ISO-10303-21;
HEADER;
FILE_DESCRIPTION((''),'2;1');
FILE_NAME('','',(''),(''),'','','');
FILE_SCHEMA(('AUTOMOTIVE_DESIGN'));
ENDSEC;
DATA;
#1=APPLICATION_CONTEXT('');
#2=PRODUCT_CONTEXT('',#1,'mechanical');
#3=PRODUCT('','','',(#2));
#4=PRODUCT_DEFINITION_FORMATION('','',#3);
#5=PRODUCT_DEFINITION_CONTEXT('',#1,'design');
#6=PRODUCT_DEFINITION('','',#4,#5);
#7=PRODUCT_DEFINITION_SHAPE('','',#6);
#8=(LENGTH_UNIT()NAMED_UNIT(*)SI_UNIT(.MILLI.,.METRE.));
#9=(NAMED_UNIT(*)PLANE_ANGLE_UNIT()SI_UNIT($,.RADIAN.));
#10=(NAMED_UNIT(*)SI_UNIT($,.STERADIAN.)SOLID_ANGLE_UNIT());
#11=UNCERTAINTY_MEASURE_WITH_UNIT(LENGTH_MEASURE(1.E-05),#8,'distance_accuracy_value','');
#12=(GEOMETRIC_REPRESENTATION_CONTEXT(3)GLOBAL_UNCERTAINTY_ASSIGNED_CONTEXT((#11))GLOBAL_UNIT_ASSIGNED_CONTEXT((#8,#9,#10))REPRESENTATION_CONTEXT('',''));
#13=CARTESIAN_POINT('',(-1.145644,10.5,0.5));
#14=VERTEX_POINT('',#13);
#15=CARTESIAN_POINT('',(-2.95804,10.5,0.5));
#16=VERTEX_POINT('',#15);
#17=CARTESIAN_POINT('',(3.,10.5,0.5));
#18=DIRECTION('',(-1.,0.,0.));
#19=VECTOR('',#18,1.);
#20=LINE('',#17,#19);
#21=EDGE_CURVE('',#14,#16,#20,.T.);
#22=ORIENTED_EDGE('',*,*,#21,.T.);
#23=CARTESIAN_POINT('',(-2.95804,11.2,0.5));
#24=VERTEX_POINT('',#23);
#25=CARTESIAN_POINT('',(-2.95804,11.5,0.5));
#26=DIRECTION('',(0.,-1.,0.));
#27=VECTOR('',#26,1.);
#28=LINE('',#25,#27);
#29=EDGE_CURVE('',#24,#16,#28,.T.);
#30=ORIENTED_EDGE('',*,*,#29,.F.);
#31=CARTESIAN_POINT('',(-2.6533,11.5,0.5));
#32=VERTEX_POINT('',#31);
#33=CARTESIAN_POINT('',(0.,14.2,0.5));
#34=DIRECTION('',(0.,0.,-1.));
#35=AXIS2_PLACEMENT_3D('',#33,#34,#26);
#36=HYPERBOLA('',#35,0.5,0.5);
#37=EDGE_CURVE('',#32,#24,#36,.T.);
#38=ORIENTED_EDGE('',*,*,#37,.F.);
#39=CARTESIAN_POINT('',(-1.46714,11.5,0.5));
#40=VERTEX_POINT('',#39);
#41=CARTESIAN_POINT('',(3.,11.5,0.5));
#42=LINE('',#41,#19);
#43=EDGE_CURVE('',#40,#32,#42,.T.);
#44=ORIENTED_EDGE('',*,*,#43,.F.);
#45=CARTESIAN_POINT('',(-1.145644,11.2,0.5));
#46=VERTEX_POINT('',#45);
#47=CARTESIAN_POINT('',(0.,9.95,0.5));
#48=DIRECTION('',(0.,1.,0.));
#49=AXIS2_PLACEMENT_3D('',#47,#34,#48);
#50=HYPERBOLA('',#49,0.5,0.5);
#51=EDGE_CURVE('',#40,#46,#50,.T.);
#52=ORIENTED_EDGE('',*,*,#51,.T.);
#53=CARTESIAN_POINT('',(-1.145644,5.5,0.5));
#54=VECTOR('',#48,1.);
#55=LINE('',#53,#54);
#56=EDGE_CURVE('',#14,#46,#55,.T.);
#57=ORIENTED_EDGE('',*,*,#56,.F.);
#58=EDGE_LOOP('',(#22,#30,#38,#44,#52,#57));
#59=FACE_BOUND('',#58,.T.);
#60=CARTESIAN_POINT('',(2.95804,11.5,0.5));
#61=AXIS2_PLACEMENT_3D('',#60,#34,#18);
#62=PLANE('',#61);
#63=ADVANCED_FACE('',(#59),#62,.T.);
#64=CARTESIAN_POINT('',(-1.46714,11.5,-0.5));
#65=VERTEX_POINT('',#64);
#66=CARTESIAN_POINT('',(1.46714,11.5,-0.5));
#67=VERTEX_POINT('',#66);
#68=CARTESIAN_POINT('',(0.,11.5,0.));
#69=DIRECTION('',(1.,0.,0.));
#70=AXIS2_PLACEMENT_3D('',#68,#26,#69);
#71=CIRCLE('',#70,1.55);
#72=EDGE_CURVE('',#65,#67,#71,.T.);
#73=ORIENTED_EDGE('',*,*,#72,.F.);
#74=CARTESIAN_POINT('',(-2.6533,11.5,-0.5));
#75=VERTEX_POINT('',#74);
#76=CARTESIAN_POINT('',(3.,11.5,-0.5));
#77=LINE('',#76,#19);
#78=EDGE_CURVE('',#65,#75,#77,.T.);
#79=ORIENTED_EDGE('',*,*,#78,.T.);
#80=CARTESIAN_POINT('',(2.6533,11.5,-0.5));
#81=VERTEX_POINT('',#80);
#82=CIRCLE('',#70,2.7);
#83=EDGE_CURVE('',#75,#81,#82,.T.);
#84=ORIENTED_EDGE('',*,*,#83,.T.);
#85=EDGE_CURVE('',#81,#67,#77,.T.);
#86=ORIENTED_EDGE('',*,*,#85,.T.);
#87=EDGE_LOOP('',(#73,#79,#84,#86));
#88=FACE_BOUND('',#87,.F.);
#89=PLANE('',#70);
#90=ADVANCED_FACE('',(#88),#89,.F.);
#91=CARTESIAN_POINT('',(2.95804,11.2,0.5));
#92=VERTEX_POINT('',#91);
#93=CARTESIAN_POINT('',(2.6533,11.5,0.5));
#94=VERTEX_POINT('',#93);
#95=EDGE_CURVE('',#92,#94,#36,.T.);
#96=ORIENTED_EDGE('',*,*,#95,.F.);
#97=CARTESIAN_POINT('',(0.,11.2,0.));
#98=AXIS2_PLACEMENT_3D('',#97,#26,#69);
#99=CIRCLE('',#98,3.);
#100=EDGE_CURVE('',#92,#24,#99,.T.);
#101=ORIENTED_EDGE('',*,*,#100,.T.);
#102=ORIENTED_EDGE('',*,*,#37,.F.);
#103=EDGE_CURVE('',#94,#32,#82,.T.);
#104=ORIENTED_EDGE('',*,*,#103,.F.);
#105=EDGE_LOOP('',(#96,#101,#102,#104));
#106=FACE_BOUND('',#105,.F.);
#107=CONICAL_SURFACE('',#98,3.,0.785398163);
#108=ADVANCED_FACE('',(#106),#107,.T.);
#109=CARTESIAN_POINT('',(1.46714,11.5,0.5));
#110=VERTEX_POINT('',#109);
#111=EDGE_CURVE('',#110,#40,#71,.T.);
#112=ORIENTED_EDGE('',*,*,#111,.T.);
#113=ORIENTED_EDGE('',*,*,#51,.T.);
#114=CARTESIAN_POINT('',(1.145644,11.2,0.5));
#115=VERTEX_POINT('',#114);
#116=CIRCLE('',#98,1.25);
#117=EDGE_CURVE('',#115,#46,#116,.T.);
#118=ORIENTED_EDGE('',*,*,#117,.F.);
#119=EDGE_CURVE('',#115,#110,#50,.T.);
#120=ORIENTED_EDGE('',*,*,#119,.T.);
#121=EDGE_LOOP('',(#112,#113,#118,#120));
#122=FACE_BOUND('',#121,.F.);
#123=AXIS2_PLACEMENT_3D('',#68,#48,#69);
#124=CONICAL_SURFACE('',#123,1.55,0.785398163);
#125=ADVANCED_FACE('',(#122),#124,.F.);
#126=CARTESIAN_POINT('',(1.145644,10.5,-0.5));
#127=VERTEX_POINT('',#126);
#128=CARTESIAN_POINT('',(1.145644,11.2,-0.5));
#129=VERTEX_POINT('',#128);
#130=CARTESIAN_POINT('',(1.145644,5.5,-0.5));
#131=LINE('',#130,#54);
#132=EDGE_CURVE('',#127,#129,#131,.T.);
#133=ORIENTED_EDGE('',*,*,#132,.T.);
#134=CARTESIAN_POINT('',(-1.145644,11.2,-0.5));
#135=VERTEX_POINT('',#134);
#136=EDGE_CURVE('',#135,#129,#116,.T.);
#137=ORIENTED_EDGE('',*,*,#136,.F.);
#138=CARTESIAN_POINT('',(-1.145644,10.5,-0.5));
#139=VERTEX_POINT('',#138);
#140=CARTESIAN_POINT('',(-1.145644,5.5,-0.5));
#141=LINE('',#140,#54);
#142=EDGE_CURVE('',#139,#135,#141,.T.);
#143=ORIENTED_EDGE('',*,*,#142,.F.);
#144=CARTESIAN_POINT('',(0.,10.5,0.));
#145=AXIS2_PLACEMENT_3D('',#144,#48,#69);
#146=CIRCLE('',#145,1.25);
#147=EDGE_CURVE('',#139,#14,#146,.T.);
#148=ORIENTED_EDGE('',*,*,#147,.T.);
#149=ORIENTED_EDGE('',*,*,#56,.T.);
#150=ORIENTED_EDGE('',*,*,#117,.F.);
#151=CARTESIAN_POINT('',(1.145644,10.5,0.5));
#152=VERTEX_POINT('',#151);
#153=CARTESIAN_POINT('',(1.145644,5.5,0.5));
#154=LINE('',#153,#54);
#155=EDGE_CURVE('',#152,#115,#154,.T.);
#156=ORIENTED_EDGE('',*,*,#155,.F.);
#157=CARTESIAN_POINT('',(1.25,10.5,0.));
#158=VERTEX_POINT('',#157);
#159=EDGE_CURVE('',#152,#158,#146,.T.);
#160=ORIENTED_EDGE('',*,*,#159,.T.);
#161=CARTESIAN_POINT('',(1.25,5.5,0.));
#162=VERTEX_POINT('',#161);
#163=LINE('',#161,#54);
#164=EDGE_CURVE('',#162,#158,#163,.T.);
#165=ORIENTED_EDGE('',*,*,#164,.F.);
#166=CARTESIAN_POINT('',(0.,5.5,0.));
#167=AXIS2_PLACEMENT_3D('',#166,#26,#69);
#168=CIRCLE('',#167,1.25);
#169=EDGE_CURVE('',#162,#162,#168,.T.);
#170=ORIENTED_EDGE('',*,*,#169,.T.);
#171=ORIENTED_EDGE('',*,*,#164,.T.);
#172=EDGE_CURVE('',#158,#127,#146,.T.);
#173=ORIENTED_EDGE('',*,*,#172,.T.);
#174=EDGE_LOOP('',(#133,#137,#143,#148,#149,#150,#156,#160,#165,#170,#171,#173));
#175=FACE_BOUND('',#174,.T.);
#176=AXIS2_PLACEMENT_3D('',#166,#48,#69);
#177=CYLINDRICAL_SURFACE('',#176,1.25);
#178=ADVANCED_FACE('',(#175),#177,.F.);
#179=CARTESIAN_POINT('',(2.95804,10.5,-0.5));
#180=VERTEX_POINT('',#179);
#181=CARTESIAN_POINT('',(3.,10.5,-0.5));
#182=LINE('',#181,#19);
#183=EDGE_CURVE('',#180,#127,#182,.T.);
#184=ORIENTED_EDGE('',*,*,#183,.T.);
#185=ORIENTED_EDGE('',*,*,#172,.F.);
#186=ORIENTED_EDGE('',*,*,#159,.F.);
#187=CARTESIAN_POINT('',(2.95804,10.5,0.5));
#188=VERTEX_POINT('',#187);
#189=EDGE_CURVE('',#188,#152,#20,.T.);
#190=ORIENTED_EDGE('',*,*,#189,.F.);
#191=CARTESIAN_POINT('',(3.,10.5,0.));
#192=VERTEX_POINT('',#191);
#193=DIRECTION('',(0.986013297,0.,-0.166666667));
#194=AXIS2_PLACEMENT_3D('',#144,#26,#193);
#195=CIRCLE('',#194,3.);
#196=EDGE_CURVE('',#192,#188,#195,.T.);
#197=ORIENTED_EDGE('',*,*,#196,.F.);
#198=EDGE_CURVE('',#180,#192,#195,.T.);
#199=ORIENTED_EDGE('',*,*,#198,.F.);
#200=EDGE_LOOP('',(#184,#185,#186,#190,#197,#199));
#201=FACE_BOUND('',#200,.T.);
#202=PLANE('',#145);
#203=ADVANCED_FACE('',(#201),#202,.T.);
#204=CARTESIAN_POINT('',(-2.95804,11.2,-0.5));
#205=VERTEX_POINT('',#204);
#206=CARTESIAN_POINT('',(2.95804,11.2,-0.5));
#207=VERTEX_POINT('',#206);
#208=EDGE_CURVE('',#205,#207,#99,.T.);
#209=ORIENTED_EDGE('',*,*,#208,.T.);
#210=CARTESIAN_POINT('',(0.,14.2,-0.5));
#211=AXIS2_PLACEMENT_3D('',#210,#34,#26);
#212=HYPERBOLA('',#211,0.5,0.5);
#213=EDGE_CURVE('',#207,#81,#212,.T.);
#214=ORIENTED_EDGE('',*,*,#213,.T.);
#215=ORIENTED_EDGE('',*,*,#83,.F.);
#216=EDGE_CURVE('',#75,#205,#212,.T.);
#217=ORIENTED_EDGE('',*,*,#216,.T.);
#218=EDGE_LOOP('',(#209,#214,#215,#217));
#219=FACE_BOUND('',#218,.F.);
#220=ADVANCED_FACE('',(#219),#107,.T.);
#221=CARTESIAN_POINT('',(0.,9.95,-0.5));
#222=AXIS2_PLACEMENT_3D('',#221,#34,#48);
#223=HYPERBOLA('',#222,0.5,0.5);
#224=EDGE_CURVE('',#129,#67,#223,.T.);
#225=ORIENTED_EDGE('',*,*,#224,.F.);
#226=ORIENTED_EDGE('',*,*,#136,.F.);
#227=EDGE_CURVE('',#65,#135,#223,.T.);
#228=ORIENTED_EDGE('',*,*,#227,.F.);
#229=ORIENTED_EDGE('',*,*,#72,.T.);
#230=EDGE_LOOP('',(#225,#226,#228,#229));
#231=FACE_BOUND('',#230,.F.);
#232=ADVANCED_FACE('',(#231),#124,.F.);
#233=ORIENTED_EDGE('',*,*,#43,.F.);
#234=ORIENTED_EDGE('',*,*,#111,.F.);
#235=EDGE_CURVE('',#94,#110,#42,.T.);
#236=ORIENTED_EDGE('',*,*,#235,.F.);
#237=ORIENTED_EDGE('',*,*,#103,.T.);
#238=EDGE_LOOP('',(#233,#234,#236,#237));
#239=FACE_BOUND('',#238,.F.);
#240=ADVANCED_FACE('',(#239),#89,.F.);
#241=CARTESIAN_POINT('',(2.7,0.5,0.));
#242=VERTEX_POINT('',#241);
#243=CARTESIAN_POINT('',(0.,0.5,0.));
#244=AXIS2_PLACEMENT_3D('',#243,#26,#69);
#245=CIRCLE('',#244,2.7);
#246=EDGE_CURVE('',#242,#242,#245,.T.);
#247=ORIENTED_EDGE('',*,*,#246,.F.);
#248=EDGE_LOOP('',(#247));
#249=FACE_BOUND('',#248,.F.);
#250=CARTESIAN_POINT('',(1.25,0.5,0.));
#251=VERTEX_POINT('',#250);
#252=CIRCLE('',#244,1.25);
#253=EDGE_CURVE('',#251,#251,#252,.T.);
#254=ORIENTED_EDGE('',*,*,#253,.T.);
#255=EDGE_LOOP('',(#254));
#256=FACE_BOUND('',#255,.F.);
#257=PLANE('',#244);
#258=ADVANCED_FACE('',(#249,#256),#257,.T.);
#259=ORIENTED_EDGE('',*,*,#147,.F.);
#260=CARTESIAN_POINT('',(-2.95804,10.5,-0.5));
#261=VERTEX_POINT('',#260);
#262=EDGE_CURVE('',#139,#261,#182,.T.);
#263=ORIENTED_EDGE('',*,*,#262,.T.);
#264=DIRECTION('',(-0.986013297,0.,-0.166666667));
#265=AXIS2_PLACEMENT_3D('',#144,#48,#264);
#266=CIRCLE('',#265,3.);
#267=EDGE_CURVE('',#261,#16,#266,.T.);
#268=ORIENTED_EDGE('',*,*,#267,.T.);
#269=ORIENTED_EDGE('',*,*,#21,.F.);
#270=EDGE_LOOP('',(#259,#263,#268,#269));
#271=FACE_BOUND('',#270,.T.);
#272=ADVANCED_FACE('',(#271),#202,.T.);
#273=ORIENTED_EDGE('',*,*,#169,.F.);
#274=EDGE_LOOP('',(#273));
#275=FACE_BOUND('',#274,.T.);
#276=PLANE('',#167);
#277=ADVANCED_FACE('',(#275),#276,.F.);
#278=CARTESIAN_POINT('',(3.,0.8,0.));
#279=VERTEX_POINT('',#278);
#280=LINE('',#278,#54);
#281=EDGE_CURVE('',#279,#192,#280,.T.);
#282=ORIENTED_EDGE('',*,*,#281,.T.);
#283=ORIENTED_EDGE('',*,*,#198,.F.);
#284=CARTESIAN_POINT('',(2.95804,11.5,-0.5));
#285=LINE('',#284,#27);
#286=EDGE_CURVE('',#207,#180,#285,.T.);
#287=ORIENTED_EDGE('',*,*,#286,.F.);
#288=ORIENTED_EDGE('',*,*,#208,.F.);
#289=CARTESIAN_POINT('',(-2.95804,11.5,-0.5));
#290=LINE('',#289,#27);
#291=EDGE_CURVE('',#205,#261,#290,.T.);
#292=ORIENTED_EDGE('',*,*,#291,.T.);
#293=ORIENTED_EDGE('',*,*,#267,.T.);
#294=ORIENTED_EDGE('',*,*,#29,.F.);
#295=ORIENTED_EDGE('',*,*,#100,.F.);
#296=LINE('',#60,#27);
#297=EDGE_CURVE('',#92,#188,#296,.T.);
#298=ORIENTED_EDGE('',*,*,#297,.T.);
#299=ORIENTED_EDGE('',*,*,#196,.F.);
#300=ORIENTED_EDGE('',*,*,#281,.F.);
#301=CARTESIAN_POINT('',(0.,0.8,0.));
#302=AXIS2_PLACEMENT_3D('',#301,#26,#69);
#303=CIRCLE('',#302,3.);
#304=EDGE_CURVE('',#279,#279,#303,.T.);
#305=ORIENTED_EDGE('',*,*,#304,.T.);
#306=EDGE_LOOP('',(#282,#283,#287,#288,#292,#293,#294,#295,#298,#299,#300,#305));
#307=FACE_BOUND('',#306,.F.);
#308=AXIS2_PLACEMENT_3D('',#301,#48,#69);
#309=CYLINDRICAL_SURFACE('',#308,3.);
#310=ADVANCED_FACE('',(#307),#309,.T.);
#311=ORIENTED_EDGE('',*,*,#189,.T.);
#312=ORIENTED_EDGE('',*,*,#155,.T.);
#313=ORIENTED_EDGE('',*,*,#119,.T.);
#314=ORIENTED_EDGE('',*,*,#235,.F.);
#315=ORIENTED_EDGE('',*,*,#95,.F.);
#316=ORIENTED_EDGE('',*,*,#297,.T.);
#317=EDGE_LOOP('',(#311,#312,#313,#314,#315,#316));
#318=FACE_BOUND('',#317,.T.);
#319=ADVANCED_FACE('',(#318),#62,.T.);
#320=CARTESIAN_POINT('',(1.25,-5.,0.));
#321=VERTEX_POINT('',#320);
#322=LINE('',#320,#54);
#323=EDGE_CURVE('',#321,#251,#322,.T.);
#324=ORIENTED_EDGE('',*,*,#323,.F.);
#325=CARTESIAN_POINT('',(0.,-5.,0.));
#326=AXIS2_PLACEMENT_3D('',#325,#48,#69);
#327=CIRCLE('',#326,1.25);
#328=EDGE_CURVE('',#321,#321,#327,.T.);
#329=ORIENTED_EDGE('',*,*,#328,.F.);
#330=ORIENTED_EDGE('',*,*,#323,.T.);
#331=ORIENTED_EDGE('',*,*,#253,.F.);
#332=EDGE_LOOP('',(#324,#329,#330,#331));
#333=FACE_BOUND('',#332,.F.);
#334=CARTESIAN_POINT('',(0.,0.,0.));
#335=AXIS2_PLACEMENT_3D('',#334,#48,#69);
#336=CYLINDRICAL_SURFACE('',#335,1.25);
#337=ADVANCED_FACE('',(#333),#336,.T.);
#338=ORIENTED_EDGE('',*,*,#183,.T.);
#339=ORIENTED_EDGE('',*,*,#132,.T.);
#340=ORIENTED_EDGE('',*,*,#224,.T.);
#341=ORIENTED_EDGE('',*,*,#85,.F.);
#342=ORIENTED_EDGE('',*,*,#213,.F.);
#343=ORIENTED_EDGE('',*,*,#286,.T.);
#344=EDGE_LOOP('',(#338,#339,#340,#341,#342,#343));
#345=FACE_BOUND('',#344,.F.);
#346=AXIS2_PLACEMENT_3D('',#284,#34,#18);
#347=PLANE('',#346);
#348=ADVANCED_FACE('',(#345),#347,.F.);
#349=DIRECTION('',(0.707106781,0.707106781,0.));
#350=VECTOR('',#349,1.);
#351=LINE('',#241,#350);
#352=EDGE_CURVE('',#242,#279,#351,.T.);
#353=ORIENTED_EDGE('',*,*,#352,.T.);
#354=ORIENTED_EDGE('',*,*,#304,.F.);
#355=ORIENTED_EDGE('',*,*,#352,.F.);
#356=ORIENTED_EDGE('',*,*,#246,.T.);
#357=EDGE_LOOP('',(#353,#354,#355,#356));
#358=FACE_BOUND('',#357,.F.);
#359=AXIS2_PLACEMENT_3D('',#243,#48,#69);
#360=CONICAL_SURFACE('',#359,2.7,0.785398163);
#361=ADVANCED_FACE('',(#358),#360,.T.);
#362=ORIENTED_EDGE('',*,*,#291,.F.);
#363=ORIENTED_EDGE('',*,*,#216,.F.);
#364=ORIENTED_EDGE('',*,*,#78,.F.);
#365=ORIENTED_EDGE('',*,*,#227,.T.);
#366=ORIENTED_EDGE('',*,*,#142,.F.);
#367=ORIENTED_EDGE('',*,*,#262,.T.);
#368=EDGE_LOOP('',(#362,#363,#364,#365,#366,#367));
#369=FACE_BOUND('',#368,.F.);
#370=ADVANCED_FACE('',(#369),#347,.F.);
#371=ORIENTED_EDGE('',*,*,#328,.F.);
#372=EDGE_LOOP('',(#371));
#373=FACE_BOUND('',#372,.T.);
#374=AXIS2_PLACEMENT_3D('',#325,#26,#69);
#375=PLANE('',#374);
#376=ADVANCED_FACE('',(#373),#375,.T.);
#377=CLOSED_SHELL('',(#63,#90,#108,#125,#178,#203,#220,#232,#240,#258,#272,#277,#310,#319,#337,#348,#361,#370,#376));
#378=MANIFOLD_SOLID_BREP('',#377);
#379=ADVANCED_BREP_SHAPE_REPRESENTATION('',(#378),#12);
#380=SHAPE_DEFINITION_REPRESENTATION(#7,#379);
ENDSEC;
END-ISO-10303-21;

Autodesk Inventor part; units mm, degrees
ref_plane "YZ Plane" through (0, 0, 0) normal (1, 0, 0) x (0, 1, 0)
ref_plane "XZ Plane" through (0, 0, 0) normal (0, 1, 0) x (-1, 0, 0)
ref_plane "XY Plane" through (0, 0, 0) normal (0, 0, 1) x (1, 0, 0)
sketch "スケッチ1" plane through (0, 0, 0) normal (0, 0, 1) x (1, 0, 0)
  line L0 (0, -5.5) -> (0.95, -5.5)
  line L1 (0.95, -5.5) -> (1.25, -5.2)
  line L2 (1.25, -5.2) -> (1.25, 0)
  line L3 (1.25, 0) -> (1.25, 0)
  line L4 (1.25, 0) -> (1.25, 0.5)
  line L5 (1.25, 0.5) -> (2.7, 0.5)
  line L6 (3, 11.2) -> (2.7, 11.5)
  line L7 (2.7, 11.5) -> (1.55, 11.5)
  line L8 (1.55, 11.5) -> (1.25, 11.2)
  line L9 (0, 7.4044) -> (0, -7.4044) construction
  line L10 (0, -5.5) -> (0, 5.5)
  line L11 (0, 5.5) -> (1.25, 5.5)
  line L12 (1.25, 5.5) -> (1.25, 11.2)
  line L13 (2.7, 0.5) -> (3, 0.8)
  line L14 (3, 0.8) -> (3, 11.2)
  point P0 (0, 0)
  point P1 (0, 0)
  dimension "d0" = 2.5
  dimension "d1" = 6
  dimension "d2" = 0.3
  dimension "d3" = 0.3
  dimension "d4" = 2.5
  dimension "d5" = 0.5
  dimension "d6" = 11
  dimension "d8" = 0.3
  dimension "d9" = 2.5
  dimension "d10" = 6
  dimension "d11" = 0.3
  dimension "d12" = 0.3
  dimension "d13" = 0.3
  dimension "d14" = 0.3
  dimension "d15" = 6
revolve "回転1" add sketch "スケッチ1" angle 360 about axis through (0, 7.4044, 0) along (0, -1, 0)
sketch "スケッチ2" plane through (0, -5.5, 0) normal (0, -1, 0) x (1, 0, 0)
  circle A0 centre (0, 0) radius 0.95 projected
  circle A1 centre (0, 0) radius 9.0242
extrude "押し出し1" cut sketch "スケッチ2" against normal blind 0.5 contours A0 | A1
sketch "スケッチ3" plane through (0, 11.5, 0) normal (0, 1, 0) x (1, 0, 0)
  circle A0 centre (0, 0) radius 3 projected
  line L0 (3, 0) -> (-3, 0)
  line L1 (-3, -0.5) -> (-3, 0.5)
  line L2 (3, -0.5) -> (-3, -0.5)
  line L3 (3, 0.5) -> (-3, 0.5)
  line L4 (3, -0.5) -> (3, 0.5)
  point P0 (0, 0)
  point P1 (-2.958, -0.5)
  point P2 (2.958, -0.5)
  point P3 (2.958, 0.5)
  point P4 (-2.958, 0.5)
  dimension "d22" = 0.5
  dimension "d23" = 0.5
extrude "押し出し2" cut sketch "スケッチ3" against normal blind 1 contours L0 A0 L3 | A0 L2 L0
equation "\"d3\" = d2"
equation "\"d11\" = d8"
equation "\"d12\" = d8"
equation "\"d13\" = d12"
equation "\"d14\" = d13"
properties part number "BRU-312S" material "ステンレス鋼 AISI 304"
